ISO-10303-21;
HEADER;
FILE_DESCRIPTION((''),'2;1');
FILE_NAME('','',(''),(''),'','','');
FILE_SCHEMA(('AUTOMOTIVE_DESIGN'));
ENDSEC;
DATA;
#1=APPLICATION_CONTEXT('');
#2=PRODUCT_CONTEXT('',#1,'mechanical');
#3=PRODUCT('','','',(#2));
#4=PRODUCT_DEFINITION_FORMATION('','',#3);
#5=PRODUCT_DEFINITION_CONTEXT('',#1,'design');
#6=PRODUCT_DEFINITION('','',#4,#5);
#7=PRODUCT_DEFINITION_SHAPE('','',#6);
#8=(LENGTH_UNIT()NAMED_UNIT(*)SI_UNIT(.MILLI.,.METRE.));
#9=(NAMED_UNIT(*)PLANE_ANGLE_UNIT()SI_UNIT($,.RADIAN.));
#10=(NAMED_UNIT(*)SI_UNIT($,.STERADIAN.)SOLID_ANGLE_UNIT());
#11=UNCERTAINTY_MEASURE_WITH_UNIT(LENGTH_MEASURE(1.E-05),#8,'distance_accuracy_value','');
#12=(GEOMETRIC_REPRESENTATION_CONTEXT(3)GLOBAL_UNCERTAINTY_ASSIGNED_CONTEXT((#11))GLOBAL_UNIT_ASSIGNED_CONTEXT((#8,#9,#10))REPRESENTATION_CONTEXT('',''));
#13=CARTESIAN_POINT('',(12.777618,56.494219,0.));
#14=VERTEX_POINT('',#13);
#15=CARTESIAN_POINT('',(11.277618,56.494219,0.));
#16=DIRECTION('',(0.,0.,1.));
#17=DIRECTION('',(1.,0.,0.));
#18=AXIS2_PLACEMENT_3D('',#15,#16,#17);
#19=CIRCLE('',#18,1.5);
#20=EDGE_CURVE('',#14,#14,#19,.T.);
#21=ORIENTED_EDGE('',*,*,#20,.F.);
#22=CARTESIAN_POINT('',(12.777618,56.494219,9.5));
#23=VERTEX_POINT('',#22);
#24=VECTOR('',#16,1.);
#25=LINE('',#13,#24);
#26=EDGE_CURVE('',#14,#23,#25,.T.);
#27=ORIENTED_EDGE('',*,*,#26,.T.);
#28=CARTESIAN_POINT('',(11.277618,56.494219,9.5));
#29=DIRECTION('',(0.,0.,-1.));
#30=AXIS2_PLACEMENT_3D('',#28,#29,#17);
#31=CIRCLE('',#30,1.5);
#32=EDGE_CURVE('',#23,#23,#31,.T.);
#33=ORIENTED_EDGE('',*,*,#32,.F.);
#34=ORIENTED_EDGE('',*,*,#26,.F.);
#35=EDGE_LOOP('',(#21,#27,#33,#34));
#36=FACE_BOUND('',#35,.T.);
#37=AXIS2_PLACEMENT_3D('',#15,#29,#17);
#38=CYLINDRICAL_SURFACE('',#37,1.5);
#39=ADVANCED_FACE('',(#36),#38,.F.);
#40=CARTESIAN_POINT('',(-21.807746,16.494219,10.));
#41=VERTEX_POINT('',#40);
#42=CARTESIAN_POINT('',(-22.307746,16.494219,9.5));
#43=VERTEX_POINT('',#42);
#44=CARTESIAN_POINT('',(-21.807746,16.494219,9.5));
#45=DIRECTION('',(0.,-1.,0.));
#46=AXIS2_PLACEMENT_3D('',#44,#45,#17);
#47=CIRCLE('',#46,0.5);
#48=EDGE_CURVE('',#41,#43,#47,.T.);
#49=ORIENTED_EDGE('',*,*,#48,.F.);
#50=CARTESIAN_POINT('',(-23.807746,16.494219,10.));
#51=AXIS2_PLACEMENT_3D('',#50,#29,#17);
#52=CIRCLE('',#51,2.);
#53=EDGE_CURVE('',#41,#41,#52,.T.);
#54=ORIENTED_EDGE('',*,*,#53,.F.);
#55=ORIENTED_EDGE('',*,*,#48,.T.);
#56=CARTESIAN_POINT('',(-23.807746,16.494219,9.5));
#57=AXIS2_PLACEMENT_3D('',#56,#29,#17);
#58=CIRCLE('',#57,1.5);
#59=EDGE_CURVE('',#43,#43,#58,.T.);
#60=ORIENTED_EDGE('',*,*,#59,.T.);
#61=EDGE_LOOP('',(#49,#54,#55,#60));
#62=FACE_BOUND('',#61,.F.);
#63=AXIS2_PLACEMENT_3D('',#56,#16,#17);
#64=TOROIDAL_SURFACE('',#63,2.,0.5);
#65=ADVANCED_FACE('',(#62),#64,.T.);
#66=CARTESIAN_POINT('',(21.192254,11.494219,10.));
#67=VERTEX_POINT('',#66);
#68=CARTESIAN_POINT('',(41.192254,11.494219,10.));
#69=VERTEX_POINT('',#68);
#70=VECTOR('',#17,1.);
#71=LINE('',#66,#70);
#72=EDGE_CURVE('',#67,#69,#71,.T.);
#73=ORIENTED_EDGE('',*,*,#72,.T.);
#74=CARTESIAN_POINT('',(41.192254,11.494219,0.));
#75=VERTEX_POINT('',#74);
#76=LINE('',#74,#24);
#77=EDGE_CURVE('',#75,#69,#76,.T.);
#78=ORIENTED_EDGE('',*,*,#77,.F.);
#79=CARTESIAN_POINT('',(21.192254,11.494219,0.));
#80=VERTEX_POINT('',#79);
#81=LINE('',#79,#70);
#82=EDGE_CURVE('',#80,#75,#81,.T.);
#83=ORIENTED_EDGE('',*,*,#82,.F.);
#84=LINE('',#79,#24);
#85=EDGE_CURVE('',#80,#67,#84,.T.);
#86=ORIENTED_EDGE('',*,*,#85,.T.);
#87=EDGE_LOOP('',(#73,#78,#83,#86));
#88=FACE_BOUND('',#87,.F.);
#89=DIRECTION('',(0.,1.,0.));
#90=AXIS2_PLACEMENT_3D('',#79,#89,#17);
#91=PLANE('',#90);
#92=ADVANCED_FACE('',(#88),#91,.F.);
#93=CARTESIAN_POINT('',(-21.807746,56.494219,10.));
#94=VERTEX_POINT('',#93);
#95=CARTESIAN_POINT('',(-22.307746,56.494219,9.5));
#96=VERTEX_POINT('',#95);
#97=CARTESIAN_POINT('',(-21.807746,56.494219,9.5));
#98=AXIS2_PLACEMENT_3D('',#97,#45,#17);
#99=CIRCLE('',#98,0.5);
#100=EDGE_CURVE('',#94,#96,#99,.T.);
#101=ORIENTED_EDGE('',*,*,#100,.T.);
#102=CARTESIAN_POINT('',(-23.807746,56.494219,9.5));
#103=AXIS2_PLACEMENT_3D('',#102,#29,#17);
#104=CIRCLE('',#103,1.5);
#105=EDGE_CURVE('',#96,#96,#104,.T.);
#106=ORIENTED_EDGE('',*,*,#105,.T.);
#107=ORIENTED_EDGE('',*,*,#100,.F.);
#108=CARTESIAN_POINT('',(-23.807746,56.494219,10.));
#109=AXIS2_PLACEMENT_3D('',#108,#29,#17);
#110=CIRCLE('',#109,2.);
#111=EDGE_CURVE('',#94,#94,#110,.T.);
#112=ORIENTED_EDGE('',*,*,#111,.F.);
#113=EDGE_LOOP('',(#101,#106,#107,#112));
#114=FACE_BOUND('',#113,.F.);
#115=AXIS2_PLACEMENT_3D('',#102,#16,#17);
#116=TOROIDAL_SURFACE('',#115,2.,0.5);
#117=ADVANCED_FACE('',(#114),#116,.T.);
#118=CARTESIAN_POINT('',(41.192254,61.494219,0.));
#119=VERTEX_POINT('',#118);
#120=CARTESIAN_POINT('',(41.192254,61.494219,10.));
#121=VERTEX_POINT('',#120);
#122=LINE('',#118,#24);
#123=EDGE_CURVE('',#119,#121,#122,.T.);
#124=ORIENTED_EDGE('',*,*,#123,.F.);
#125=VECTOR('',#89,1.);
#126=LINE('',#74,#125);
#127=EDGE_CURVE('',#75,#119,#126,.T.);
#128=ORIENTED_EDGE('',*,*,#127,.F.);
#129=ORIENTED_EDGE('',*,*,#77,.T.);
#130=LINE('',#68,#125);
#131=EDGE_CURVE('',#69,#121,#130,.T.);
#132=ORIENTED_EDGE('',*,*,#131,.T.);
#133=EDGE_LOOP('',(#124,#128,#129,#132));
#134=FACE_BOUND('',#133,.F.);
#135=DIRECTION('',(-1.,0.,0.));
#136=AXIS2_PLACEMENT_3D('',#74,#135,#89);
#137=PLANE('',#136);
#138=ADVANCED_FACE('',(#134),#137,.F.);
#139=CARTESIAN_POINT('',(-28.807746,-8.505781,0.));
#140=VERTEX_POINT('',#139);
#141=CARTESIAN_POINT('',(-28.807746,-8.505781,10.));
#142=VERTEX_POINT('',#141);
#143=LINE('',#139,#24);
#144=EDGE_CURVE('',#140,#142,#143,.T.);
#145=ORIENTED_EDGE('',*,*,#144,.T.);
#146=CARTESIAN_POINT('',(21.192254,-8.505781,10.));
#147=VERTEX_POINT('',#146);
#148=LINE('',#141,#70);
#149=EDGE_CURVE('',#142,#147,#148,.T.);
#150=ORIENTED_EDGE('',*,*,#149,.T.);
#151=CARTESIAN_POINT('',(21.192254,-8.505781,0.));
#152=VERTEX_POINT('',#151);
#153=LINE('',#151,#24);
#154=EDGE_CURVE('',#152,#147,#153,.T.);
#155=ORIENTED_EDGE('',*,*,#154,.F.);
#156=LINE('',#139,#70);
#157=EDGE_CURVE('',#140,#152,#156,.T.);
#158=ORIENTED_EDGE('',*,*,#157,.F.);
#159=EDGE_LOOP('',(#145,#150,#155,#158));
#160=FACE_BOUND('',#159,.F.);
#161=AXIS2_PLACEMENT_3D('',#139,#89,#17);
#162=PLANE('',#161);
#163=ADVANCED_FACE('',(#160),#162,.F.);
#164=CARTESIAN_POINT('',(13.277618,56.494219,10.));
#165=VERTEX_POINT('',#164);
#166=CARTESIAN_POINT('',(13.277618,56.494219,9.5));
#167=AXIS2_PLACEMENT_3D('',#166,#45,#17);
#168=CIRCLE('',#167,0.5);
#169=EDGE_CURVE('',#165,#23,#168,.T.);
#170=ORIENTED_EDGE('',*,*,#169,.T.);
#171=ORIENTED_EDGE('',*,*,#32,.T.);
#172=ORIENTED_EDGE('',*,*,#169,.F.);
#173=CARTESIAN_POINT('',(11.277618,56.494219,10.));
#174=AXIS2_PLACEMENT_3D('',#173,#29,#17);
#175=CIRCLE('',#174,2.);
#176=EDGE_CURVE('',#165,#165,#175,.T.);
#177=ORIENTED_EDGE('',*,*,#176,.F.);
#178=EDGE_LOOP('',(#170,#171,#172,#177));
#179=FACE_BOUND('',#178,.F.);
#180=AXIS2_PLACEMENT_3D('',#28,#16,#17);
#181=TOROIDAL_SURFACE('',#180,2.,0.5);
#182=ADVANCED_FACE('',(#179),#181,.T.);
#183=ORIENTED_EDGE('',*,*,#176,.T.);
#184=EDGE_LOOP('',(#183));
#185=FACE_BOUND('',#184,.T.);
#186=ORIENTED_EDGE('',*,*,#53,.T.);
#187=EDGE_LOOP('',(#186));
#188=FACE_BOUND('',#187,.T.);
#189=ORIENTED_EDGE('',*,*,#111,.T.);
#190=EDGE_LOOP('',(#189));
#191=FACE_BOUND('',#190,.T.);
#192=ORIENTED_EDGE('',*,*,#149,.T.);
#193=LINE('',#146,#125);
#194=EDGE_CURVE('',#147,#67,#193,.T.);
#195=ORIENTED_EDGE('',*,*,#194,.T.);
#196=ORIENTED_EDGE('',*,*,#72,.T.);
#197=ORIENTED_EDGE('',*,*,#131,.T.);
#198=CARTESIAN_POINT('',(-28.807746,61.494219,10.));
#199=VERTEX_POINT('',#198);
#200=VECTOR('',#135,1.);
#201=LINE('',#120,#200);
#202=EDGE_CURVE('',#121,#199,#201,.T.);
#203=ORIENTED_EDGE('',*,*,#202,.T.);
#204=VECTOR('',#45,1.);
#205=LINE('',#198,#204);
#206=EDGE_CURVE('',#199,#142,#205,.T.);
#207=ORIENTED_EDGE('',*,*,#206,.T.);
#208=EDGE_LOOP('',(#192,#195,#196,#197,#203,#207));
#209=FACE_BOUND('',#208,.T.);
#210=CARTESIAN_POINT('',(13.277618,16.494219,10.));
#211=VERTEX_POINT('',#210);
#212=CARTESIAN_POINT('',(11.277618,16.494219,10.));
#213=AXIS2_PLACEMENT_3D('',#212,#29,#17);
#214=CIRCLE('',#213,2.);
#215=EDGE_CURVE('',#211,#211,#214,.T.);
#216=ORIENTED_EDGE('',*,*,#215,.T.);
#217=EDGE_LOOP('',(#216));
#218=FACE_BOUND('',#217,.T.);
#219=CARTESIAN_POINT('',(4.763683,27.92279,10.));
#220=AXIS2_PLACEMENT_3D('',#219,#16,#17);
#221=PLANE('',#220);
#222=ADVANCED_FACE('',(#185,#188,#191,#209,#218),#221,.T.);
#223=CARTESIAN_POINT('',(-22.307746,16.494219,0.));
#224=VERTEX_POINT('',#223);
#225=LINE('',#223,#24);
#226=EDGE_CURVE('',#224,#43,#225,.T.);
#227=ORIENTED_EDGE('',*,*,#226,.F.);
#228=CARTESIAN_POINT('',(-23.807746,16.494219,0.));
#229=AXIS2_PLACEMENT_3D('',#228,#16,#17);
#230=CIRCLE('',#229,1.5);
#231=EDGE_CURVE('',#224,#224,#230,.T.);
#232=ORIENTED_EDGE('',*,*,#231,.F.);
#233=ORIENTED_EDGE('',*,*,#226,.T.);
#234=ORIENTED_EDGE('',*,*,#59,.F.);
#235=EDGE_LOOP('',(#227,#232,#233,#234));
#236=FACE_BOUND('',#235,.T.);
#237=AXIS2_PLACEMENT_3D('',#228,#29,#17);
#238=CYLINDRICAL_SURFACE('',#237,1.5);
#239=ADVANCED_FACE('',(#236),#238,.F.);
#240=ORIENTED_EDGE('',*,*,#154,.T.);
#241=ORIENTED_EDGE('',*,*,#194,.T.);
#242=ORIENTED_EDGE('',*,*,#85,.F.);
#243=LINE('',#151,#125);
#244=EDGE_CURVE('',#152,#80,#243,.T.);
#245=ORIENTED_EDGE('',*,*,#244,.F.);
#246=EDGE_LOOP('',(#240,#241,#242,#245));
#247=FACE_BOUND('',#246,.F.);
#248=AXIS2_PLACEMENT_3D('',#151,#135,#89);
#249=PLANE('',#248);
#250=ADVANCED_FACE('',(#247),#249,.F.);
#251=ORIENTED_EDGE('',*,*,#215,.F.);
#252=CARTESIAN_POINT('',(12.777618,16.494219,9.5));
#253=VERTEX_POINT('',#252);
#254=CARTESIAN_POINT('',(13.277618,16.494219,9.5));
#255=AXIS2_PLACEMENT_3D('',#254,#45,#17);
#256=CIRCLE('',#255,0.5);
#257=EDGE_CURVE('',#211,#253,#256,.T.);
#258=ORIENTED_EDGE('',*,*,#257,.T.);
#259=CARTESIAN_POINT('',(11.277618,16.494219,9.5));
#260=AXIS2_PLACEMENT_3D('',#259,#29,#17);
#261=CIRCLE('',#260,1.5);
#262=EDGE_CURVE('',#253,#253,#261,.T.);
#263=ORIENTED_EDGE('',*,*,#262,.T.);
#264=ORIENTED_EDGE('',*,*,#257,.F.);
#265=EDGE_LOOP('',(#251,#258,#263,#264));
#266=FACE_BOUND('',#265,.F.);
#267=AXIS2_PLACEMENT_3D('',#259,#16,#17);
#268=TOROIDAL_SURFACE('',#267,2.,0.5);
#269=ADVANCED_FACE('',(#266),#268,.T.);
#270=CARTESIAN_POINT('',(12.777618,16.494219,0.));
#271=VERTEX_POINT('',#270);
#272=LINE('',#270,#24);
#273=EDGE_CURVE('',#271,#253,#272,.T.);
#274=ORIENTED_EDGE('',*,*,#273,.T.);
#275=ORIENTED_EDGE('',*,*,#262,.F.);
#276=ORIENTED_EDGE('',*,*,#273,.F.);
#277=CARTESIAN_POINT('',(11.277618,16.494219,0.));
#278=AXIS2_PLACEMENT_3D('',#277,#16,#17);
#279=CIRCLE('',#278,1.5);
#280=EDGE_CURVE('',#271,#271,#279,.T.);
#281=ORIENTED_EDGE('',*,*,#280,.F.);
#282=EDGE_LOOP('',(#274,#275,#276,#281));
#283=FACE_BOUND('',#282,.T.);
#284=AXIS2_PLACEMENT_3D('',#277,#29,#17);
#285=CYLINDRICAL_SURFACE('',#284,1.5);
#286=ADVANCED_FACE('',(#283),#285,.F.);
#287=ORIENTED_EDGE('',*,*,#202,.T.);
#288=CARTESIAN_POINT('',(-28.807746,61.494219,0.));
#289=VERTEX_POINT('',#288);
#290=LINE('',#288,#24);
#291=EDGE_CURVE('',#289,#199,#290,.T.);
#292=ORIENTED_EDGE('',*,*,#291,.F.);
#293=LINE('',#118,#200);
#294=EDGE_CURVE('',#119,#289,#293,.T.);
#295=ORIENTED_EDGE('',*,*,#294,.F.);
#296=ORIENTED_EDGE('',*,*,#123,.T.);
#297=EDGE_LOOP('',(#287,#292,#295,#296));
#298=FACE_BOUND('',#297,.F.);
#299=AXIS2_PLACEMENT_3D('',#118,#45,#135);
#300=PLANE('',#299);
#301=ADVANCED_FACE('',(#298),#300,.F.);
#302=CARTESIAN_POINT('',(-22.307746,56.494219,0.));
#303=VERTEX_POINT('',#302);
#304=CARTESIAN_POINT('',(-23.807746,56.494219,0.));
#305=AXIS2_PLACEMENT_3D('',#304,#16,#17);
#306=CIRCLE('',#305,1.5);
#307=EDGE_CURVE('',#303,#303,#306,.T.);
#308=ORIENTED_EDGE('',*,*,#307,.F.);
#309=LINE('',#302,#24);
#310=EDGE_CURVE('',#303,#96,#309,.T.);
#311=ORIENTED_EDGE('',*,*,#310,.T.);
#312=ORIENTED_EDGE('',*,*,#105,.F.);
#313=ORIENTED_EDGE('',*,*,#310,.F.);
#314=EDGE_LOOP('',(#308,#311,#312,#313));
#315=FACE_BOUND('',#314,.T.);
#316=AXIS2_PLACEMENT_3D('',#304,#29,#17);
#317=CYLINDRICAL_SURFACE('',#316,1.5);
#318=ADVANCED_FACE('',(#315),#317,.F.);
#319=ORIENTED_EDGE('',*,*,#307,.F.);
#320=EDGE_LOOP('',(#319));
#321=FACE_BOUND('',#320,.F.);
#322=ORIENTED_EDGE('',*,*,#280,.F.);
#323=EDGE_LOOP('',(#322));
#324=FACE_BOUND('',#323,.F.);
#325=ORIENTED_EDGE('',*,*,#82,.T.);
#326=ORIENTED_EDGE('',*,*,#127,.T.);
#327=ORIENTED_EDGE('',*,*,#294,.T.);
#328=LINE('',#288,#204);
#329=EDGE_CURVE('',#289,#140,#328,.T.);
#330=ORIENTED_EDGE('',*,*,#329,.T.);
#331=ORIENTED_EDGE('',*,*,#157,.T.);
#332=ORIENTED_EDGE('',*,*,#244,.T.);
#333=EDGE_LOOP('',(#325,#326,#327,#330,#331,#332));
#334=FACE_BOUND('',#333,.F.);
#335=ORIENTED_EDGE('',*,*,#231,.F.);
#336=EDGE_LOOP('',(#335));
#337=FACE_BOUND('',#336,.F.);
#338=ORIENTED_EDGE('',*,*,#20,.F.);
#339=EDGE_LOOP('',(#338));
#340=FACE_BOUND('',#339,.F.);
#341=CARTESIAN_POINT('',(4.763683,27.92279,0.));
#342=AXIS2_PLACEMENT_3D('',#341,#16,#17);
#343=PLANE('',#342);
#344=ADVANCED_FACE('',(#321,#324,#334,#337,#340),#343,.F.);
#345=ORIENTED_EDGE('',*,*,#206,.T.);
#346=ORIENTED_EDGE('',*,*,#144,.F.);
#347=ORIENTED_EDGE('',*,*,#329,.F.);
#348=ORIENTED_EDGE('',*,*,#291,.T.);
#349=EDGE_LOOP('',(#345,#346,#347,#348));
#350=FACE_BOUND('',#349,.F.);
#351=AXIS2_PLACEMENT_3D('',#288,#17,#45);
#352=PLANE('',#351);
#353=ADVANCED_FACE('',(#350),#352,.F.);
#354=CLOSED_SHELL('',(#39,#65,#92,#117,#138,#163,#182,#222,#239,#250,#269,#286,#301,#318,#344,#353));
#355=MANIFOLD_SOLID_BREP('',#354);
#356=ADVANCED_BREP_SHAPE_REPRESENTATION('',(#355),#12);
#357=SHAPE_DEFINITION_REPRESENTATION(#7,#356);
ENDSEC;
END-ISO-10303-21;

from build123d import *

# Parameters (mm, degrees)
F1_DEPTH = 10
F2_R     = 1.5
F3_DEPTH = 10.001
F4_R     = 0.5


with BuildPart() as f1:
    # F0 (on Top) → F1 (new body)
    with BuildSketch(Plane.XY):
        Polygon((41.192254, 61.494219), (-28.807746, 61.494219), (-28.807746, -8.505781), (21.192254, -8.505781), (21.192254, 11.494219), (41.192254, 11.494219), align=None)
    extrude(amount=F1_DEPTH)

    # F2 (on Top) → F3 (cut, through all)
    with BuildSketch(Plane.XY):
        with Locations((-23.807746, 56.494219)):
            Circle(F2_R)
        with Locations((11.277618, 56.494219)):
            Circle(F2_R)
        with Locations((11.277618, 16.494219)):
            Circle(F2_R)
        with Locations((-23.807746, 16.494219)):
            Circle(F2_R)
    extrude(amount=F3_DEPTH, mode=Mode.SUBTRACT)

    # F4
    f4_edges = [f1.edges().sort_by_distance(p)[0] for p in [
        (-25.307746, 16.494219, 10),
        (-25.307746, 56.494219, 10),
        (9.777618, 56.494219, 10),
        (9.777618, 16.494219, 10),
    ]]
    fillet(f4_edges, radius=F4_R)


solid = f1.part
